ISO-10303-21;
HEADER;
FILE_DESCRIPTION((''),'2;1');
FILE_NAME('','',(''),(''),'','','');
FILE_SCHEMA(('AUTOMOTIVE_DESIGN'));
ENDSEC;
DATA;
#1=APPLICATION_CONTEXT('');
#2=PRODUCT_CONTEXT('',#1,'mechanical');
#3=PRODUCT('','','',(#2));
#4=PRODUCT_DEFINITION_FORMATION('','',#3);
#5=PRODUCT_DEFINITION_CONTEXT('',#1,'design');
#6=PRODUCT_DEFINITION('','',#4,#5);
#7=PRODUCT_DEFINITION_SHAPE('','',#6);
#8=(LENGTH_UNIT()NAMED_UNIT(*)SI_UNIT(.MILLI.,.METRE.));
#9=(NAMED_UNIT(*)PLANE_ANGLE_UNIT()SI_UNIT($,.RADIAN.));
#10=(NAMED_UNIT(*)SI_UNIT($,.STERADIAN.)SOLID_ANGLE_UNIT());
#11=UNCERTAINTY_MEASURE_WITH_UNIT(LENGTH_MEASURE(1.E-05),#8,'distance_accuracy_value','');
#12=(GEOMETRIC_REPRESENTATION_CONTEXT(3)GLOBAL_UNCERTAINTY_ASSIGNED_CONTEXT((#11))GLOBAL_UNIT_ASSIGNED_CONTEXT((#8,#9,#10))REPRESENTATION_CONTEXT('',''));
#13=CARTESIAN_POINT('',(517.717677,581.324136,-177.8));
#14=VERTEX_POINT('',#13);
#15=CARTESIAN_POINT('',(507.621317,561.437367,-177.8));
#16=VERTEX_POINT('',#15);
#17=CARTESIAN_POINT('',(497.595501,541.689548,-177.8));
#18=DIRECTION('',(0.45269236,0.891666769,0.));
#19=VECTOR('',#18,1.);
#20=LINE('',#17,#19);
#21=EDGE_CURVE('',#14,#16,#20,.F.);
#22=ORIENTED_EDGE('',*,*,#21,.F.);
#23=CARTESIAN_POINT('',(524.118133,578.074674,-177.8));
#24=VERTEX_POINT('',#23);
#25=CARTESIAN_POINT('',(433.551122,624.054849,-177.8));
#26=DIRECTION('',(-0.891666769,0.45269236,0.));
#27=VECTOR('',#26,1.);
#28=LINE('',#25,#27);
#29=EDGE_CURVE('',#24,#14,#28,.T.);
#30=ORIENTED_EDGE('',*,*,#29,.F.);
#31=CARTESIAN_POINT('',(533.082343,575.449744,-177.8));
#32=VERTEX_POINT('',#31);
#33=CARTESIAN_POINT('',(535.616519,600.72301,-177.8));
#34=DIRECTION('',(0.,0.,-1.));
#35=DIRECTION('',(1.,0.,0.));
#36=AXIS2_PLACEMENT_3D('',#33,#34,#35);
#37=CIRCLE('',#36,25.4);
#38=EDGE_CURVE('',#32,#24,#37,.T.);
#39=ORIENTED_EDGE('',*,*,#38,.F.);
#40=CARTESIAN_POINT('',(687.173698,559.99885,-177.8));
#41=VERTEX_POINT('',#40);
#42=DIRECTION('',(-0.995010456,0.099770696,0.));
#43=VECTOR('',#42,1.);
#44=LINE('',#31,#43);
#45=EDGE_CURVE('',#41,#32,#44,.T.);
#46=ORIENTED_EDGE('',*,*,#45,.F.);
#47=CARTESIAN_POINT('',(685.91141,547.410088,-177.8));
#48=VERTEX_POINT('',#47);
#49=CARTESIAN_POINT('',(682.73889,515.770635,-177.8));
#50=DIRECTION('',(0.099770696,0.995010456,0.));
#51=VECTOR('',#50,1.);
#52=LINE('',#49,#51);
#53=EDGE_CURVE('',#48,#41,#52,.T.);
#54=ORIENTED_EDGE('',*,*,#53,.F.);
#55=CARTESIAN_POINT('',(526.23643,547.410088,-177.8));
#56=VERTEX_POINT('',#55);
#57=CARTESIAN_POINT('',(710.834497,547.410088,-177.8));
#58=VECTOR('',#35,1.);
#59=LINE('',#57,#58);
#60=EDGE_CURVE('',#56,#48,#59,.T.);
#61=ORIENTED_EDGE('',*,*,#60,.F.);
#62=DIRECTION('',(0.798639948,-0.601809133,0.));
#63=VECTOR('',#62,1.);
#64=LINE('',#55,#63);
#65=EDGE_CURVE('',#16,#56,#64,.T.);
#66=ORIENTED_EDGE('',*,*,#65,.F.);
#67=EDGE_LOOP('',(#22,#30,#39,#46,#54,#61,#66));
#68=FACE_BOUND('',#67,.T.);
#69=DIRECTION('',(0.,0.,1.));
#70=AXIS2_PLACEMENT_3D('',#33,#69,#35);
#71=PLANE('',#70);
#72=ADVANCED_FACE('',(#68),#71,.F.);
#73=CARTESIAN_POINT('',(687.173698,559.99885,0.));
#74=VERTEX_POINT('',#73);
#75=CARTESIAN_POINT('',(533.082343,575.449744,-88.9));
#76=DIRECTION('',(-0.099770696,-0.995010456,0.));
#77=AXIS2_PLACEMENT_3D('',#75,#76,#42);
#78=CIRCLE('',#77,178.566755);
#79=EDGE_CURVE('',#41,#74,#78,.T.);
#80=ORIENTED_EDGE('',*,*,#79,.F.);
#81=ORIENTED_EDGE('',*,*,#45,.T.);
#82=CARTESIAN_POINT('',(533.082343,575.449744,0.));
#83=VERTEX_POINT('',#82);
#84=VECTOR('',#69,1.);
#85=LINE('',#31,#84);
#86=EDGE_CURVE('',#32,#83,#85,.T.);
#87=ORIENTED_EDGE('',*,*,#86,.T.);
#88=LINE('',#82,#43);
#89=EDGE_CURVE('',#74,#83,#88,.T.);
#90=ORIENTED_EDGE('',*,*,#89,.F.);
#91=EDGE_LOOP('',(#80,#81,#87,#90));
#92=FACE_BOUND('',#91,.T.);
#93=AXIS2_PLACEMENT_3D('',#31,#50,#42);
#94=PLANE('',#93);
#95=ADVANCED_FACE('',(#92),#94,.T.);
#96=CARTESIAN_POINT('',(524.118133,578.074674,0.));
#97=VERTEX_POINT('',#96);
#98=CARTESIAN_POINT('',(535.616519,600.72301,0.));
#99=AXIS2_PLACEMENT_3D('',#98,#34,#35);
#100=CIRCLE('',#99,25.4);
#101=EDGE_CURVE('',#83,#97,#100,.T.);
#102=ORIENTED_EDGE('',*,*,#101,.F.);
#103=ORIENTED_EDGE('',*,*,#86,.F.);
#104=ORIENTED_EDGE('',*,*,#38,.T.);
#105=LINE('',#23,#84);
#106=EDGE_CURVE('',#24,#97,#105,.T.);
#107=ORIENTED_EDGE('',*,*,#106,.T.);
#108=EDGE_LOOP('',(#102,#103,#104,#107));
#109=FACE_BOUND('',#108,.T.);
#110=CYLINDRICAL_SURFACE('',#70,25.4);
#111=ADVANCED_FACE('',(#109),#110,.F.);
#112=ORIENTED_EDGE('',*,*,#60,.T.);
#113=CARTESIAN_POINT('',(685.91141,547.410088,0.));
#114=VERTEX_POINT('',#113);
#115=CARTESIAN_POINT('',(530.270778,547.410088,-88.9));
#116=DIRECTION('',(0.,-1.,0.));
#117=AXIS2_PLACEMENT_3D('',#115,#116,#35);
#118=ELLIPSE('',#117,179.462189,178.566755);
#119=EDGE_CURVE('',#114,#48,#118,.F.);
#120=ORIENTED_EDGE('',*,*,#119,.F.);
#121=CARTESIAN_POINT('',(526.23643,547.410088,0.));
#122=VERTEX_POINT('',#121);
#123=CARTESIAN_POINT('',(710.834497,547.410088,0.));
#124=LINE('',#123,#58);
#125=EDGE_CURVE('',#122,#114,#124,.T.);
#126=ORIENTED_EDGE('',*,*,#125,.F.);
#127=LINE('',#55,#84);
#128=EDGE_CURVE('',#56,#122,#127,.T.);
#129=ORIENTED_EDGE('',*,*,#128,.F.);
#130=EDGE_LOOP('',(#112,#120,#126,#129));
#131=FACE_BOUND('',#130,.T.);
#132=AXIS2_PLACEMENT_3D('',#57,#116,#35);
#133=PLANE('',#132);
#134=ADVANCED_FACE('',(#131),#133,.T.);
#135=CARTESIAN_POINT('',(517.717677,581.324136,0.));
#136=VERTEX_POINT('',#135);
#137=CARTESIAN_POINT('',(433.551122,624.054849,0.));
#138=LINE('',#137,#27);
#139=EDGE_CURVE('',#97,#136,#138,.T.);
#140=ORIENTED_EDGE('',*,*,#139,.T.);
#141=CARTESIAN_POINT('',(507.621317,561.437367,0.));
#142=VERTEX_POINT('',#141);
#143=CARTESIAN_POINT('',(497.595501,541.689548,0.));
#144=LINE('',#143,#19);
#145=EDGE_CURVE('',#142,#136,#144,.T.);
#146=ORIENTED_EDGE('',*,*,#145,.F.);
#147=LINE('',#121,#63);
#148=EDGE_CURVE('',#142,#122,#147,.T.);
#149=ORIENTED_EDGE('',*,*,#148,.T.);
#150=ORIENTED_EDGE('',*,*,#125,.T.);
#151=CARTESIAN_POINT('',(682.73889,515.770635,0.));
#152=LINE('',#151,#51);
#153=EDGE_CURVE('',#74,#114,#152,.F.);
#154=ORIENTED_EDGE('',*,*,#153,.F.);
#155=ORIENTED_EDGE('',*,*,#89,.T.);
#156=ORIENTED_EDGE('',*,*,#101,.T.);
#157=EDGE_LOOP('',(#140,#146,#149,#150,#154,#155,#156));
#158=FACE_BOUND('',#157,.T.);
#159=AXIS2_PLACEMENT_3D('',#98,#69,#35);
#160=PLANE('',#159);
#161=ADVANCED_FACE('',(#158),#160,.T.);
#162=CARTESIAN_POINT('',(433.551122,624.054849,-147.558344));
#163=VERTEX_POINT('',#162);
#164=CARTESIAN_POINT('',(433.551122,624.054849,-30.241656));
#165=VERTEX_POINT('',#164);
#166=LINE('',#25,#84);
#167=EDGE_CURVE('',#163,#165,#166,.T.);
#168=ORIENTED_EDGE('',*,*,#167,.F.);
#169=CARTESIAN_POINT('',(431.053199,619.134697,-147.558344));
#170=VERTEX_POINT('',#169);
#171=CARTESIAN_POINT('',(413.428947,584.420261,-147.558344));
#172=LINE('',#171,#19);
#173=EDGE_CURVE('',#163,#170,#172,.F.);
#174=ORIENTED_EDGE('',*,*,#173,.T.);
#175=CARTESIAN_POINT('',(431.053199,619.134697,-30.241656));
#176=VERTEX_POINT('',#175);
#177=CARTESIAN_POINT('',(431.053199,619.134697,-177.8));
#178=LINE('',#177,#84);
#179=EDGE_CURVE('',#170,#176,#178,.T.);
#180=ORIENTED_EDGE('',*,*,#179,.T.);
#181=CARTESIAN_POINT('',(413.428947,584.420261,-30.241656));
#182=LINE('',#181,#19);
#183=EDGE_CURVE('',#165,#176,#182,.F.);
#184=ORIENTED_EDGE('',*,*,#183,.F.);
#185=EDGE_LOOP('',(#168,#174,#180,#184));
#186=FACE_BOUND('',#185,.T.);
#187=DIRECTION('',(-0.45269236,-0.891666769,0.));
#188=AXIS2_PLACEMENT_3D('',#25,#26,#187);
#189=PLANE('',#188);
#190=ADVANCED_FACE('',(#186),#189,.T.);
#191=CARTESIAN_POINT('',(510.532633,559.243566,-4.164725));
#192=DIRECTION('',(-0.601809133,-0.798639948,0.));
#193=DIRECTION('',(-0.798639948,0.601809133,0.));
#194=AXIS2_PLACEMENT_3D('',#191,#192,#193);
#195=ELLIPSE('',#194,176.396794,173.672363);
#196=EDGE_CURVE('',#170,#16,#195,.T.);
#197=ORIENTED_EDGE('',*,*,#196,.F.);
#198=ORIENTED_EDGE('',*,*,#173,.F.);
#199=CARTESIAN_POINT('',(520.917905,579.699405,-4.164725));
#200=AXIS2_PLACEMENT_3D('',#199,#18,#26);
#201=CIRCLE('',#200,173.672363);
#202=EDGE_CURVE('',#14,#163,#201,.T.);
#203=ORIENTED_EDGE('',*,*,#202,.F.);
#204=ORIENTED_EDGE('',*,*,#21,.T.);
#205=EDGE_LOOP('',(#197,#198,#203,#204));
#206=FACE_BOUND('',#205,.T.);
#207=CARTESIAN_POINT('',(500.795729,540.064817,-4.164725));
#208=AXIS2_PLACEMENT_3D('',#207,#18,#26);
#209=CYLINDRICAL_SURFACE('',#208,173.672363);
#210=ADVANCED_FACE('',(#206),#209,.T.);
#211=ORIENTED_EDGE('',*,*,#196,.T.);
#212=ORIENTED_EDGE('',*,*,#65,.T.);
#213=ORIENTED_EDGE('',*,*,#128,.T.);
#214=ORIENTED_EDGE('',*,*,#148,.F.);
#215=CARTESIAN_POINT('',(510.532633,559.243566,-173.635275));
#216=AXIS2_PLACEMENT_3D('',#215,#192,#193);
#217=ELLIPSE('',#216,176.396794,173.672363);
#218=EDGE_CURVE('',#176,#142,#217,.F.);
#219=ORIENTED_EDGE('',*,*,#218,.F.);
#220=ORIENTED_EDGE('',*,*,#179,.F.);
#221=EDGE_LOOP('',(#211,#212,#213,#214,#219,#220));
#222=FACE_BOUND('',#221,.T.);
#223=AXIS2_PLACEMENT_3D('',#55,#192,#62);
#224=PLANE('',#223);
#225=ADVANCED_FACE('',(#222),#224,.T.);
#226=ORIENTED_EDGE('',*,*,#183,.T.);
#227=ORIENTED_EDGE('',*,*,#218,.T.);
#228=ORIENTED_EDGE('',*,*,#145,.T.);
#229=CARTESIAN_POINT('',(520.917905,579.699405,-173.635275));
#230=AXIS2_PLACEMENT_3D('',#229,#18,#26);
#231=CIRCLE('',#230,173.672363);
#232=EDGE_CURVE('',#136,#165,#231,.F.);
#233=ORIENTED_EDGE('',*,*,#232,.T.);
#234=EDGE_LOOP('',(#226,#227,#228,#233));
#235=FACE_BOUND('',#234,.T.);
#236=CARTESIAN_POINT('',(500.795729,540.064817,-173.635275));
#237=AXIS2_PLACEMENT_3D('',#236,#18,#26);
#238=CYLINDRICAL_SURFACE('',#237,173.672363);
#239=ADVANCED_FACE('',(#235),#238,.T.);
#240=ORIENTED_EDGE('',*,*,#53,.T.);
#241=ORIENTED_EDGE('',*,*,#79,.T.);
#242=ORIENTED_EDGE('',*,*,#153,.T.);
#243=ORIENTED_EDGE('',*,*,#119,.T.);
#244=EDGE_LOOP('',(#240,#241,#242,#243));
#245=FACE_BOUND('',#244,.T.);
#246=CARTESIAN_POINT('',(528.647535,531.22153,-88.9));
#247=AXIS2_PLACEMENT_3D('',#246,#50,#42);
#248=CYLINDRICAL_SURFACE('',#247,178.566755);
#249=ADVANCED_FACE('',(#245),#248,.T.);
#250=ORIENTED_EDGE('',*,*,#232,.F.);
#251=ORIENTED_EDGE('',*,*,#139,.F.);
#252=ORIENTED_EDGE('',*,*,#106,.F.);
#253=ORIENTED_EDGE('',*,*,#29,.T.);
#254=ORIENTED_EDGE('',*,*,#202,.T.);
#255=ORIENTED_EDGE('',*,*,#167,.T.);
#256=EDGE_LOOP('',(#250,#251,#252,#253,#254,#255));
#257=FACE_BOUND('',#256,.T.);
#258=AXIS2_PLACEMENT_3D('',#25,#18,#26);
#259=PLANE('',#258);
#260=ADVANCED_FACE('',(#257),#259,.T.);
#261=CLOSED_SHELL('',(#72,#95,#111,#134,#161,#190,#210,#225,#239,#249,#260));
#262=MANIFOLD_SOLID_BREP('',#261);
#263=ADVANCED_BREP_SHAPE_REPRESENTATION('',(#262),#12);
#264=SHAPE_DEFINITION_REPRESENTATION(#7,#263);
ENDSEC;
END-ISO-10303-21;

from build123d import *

# Parameters (mm, degrees)
EXTRUDE1_DEPTH = 177.8
EXTRUDE5_DEPTH = 44.45
EXTRUDE6_DEPTH = 44.45


with BuildPart() as part:
    # Sketch1 → Extrude1 (new body)
    with BuildSketch(Plane.XY):
        with BuildLine():
            Line((433.551122257, 624.054848578), (524.118132596, 578.074674098))
            ThreePointArc((524.118132596, 578.074674098), (528.478538405, 576.346602597), (533.082342852, 575.449744447))
            Line((533.082342852, 575.449744447), (710.83449651, 557.626357766))
            Line((710.83449651, 557.626357766), (710.83449651, 547.410087665))
            Line((710.83449651, 547.410087665), (526.236430387, 547.410087665))
            Line((526.236430387, 547.410087665), (431.053198967, 619.134696642))
            Line((431.053198967, 619.134696642), (433.551122257, 624.054848578))
        make_face()
    extrude(amount=-EXTRUDE1_DEPTH)

    # Sketch5 → Extrude5 (cut)
    with BuildSketch(Plane(origin=(62.432960723, 622.642229918, 0), x_dir=(-0.9950104563205879, 0.09977069616222714, 0), z_dir=(0.09977069616222714, 0.9950104563205879, 0))):
        with BuildLine():
            Line((-627.873539531, 0), (-668.145359753, 0))
            Line((-668.145359753, 0), (-668.145359753, -177.8))
            Line((-668.145359753, -177.8), (-627.873539531, -177.8))
            ThreePointArc((-627.873539531, -177.8), (-651.57623812, -88.9), (-627.873539531, 0))
        make_face()
    extrude(amount=-EXTRUDE5_DEPTH, mode=Mode.SUBTRACT)

    # Sketch7 → Extrude6 (cut)
    with BuildSketch(Plane(origin=(340.747990654, 671.170284622, 0), x_dir=(-0.8916667692581813, 0.45269235977723044, 0), z_dir=(0.45269235977723044, 0.8916667692581813, 0))):
        with BuildLine():
            Line((-104.078266458, -30.241656288), (-104.078266458, 0))
            Line((-104.078266458, 0), (-198.470653172, 0))
            ThreePointArc((-198.470653172, 0), (-149.071209803, -8.243889089), (-104.078266458, -30.241656288))
        make_face()
        with BuildLine():
            Line((-104.078266458, -177.8), (-104.078266458, -147.558343712))
            ThreePointArc((-104.078266458, -147.558343712), (-149.071209803, -169.556110911), (-198.470653172, -177.8))
            Line((-198.470653172, -177.8), (-104.078266458, -177.8))
        make_face()
    extrude(amount=-EXTRUDE6_DEPTH, mode=Mode.SUBTRACT)


solid = part.part
